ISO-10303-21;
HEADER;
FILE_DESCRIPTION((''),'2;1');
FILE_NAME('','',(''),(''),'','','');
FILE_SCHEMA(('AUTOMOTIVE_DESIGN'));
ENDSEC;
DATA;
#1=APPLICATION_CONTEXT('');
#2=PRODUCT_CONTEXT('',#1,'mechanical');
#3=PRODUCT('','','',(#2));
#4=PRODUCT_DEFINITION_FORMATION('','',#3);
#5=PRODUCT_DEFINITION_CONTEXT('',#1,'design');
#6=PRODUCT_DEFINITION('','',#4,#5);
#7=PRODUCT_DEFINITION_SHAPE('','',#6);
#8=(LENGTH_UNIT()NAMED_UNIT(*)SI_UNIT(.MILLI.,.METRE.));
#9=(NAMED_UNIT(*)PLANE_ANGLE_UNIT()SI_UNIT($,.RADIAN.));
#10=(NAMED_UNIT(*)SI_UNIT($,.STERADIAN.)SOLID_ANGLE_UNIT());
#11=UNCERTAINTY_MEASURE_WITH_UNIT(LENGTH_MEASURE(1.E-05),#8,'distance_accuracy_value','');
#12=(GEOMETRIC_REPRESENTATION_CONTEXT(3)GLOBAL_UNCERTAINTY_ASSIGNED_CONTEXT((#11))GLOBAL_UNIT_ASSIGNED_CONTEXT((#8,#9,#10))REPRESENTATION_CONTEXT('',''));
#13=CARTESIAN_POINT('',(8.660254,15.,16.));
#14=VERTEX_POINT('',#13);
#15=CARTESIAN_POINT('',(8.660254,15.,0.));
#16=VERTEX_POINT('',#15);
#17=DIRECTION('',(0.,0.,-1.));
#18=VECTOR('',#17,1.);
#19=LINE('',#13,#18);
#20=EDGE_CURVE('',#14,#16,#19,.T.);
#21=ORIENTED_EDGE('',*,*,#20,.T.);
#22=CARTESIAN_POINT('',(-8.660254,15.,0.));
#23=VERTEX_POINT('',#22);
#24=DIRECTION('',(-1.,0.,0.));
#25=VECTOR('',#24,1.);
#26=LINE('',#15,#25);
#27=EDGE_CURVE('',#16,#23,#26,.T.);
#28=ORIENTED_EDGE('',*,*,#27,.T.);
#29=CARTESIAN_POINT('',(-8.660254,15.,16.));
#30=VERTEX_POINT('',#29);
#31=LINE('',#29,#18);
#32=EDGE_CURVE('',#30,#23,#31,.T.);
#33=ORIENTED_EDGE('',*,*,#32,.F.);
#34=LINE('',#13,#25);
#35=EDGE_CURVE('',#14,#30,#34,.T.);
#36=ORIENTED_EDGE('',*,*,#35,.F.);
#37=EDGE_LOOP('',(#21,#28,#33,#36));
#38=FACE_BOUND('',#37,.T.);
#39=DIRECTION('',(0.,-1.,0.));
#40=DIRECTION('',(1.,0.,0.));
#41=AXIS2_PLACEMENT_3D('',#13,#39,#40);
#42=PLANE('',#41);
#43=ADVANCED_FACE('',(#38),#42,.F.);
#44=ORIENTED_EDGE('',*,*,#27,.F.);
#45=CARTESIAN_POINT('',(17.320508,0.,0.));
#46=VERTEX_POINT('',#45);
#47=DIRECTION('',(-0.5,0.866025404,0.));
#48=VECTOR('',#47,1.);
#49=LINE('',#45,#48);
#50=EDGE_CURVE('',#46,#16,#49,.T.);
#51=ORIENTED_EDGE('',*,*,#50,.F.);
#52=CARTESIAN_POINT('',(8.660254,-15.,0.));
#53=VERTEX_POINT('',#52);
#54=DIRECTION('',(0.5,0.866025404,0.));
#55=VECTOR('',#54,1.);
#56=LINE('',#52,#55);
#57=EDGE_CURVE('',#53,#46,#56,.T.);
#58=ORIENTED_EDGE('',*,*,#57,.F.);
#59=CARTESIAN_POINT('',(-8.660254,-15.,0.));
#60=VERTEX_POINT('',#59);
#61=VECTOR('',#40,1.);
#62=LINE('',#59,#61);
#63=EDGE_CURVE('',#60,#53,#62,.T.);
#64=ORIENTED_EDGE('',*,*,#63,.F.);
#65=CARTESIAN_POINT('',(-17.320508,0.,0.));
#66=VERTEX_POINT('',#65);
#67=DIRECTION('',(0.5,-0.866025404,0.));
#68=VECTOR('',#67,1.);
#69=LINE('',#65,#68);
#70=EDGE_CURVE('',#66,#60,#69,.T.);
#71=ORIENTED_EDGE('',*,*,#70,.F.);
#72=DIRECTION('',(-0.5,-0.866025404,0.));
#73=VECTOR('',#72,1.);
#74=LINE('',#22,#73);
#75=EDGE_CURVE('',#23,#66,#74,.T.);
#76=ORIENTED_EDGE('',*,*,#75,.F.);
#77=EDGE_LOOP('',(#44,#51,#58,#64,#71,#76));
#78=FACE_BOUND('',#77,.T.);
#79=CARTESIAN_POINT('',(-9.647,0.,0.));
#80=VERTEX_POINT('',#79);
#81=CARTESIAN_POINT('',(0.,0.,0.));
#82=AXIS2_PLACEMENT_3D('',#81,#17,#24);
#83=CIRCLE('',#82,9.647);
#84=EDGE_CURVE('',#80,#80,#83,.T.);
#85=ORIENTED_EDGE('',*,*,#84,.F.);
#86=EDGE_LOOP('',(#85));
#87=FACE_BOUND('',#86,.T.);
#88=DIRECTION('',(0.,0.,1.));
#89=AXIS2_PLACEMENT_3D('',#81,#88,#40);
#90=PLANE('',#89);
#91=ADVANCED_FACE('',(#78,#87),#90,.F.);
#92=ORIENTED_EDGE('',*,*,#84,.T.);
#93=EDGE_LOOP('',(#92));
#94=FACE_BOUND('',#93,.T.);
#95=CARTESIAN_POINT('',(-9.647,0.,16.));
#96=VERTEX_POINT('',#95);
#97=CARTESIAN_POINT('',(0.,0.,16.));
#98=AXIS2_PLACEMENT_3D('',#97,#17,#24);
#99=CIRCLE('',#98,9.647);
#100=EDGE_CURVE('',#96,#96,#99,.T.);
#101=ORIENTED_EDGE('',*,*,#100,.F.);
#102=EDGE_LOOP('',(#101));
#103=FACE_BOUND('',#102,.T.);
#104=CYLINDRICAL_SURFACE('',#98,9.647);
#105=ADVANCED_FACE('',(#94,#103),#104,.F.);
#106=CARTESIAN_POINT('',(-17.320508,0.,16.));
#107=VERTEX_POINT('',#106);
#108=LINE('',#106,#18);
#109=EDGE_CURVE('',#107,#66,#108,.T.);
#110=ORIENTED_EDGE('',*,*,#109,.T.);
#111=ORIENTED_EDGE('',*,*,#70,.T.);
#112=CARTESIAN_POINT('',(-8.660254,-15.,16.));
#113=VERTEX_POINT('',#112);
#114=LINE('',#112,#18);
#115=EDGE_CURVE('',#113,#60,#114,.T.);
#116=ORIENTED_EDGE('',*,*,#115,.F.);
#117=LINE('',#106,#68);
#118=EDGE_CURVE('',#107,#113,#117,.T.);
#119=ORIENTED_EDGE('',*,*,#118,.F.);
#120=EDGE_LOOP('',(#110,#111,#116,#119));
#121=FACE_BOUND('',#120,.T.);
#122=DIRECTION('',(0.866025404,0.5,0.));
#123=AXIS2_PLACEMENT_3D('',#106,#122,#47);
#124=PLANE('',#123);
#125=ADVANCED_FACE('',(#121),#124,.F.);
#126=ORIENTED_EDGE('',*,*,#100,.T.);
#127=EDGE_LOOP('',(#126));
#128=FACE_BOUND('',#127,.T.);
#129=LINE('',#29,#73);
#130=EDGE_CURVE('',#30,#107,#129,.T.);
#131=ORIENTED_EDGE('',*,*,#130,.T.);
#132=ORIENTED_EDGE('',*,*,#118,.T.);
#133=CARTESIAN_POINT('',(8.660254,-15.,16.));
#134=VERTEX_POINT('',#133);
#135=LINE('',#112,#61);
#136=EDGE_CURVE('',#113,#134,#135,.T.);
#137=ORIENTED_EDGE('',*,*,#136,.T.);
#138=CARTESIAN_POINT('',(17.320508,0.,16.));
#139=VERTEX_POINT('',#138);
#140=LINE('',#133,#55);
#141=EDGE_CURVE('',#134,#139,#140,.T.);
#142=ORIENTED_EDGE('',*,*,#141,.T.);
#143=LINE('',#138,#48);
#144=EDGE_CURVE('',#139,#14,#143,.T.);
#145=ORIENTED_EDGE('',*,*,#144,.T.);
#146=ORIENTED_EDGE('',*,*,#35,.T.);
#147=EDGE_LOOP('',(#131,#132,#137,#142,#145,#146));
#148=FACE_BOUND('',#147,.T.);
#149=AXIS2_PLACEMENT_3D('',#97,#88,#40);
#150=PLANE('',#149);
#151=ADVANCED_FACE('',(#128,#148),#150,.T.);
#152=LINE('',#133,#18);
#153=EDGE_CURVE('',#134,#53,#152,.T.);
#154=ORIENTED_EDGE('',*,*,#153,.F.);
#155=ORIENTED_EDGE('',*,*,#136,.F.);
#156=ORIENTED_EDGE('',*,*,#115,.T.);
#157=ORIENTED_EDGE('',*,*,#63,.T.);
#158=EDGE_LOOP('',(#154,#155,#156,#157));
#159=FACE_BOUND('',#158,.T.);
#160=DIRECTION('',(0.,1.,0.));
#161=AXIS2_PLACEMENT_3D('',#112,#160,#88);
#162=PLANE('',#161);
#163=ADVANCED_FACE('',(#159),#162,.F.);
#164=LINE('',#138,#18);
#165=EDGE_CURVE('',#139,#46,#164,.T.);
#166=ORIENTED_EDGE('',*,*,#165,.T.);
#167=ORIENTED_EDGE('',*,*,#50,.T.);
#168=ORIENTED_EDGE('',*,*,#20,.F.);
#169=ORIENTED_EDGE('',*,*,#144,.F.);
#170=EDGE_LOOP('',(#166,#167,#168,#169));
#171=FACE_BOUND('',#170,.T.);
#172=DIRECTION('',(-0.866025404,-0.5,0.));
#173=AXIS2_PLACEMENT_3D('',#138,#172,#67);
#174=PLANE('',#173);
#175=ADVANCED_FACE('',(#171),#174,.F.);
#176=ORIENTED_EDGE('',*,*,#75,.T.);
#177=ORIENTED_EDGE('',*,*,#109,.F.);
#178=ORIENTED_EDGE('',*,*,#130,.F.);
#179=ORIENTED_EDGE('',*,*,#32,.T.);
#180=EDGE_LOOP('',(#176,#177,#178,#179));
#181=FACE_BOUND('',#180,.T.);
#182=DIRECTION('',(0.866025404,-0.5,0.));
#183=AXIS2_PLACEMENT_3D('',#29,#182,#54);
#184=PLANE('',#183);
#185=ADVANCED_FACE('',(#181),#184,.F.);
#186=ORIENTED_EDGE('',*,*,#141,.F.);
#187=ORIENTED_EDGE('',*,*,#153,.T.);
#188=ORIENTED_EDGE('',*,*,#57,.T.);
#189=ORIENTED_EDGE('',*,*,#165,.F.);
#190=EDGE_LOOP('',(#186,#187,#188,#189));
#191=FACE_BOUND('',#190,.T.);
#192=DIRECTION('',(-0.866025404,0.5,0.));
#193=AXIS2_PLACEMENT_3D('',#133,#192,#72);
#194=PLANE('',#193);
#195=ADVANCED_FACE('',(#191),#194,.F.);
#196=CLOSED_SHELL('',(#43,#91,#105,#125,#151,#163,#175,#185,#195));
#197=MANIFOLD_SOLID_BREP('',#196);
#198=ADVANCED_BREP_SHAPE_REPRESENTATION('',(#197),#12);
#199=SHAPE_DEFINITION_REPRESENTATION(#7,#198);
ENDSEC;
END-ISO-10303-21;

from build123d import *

# Parameters (mm, degrees)
BOSS_EXTRUDE1_DEPTH = 16
SKETCH2_R           = 9.647
CUT_EXTRUDE1_DEPTH  = 16


with BuildPart() as part:
    # Sketch1 → Boss-Extrude1 (new body)
    with BuildSketch(Plane.XY):
        Polygon((8.660254038, -15), (17.320508076, 0), (8.660254038, 15), (-8.660254038, 15), (-17.320508076, 0), (-8.660254038, -15), align=None)
    extrude(amount=BOSS_EXTRUDE1_DEPTH)

    # Sketch2 → Cut-Extrude1 (cut)
    with BuildSketch(Plane(origin=(0, 0, 0), x_dir=(-1, 0, 0), z_dir=(0, 0, -1))):
        Circle(SKETCH2_R)
    extrude(amount=-CUT_EXTRUDE1_DEPTH, mode=Mode.SUBTRACT)


solid = part.part
